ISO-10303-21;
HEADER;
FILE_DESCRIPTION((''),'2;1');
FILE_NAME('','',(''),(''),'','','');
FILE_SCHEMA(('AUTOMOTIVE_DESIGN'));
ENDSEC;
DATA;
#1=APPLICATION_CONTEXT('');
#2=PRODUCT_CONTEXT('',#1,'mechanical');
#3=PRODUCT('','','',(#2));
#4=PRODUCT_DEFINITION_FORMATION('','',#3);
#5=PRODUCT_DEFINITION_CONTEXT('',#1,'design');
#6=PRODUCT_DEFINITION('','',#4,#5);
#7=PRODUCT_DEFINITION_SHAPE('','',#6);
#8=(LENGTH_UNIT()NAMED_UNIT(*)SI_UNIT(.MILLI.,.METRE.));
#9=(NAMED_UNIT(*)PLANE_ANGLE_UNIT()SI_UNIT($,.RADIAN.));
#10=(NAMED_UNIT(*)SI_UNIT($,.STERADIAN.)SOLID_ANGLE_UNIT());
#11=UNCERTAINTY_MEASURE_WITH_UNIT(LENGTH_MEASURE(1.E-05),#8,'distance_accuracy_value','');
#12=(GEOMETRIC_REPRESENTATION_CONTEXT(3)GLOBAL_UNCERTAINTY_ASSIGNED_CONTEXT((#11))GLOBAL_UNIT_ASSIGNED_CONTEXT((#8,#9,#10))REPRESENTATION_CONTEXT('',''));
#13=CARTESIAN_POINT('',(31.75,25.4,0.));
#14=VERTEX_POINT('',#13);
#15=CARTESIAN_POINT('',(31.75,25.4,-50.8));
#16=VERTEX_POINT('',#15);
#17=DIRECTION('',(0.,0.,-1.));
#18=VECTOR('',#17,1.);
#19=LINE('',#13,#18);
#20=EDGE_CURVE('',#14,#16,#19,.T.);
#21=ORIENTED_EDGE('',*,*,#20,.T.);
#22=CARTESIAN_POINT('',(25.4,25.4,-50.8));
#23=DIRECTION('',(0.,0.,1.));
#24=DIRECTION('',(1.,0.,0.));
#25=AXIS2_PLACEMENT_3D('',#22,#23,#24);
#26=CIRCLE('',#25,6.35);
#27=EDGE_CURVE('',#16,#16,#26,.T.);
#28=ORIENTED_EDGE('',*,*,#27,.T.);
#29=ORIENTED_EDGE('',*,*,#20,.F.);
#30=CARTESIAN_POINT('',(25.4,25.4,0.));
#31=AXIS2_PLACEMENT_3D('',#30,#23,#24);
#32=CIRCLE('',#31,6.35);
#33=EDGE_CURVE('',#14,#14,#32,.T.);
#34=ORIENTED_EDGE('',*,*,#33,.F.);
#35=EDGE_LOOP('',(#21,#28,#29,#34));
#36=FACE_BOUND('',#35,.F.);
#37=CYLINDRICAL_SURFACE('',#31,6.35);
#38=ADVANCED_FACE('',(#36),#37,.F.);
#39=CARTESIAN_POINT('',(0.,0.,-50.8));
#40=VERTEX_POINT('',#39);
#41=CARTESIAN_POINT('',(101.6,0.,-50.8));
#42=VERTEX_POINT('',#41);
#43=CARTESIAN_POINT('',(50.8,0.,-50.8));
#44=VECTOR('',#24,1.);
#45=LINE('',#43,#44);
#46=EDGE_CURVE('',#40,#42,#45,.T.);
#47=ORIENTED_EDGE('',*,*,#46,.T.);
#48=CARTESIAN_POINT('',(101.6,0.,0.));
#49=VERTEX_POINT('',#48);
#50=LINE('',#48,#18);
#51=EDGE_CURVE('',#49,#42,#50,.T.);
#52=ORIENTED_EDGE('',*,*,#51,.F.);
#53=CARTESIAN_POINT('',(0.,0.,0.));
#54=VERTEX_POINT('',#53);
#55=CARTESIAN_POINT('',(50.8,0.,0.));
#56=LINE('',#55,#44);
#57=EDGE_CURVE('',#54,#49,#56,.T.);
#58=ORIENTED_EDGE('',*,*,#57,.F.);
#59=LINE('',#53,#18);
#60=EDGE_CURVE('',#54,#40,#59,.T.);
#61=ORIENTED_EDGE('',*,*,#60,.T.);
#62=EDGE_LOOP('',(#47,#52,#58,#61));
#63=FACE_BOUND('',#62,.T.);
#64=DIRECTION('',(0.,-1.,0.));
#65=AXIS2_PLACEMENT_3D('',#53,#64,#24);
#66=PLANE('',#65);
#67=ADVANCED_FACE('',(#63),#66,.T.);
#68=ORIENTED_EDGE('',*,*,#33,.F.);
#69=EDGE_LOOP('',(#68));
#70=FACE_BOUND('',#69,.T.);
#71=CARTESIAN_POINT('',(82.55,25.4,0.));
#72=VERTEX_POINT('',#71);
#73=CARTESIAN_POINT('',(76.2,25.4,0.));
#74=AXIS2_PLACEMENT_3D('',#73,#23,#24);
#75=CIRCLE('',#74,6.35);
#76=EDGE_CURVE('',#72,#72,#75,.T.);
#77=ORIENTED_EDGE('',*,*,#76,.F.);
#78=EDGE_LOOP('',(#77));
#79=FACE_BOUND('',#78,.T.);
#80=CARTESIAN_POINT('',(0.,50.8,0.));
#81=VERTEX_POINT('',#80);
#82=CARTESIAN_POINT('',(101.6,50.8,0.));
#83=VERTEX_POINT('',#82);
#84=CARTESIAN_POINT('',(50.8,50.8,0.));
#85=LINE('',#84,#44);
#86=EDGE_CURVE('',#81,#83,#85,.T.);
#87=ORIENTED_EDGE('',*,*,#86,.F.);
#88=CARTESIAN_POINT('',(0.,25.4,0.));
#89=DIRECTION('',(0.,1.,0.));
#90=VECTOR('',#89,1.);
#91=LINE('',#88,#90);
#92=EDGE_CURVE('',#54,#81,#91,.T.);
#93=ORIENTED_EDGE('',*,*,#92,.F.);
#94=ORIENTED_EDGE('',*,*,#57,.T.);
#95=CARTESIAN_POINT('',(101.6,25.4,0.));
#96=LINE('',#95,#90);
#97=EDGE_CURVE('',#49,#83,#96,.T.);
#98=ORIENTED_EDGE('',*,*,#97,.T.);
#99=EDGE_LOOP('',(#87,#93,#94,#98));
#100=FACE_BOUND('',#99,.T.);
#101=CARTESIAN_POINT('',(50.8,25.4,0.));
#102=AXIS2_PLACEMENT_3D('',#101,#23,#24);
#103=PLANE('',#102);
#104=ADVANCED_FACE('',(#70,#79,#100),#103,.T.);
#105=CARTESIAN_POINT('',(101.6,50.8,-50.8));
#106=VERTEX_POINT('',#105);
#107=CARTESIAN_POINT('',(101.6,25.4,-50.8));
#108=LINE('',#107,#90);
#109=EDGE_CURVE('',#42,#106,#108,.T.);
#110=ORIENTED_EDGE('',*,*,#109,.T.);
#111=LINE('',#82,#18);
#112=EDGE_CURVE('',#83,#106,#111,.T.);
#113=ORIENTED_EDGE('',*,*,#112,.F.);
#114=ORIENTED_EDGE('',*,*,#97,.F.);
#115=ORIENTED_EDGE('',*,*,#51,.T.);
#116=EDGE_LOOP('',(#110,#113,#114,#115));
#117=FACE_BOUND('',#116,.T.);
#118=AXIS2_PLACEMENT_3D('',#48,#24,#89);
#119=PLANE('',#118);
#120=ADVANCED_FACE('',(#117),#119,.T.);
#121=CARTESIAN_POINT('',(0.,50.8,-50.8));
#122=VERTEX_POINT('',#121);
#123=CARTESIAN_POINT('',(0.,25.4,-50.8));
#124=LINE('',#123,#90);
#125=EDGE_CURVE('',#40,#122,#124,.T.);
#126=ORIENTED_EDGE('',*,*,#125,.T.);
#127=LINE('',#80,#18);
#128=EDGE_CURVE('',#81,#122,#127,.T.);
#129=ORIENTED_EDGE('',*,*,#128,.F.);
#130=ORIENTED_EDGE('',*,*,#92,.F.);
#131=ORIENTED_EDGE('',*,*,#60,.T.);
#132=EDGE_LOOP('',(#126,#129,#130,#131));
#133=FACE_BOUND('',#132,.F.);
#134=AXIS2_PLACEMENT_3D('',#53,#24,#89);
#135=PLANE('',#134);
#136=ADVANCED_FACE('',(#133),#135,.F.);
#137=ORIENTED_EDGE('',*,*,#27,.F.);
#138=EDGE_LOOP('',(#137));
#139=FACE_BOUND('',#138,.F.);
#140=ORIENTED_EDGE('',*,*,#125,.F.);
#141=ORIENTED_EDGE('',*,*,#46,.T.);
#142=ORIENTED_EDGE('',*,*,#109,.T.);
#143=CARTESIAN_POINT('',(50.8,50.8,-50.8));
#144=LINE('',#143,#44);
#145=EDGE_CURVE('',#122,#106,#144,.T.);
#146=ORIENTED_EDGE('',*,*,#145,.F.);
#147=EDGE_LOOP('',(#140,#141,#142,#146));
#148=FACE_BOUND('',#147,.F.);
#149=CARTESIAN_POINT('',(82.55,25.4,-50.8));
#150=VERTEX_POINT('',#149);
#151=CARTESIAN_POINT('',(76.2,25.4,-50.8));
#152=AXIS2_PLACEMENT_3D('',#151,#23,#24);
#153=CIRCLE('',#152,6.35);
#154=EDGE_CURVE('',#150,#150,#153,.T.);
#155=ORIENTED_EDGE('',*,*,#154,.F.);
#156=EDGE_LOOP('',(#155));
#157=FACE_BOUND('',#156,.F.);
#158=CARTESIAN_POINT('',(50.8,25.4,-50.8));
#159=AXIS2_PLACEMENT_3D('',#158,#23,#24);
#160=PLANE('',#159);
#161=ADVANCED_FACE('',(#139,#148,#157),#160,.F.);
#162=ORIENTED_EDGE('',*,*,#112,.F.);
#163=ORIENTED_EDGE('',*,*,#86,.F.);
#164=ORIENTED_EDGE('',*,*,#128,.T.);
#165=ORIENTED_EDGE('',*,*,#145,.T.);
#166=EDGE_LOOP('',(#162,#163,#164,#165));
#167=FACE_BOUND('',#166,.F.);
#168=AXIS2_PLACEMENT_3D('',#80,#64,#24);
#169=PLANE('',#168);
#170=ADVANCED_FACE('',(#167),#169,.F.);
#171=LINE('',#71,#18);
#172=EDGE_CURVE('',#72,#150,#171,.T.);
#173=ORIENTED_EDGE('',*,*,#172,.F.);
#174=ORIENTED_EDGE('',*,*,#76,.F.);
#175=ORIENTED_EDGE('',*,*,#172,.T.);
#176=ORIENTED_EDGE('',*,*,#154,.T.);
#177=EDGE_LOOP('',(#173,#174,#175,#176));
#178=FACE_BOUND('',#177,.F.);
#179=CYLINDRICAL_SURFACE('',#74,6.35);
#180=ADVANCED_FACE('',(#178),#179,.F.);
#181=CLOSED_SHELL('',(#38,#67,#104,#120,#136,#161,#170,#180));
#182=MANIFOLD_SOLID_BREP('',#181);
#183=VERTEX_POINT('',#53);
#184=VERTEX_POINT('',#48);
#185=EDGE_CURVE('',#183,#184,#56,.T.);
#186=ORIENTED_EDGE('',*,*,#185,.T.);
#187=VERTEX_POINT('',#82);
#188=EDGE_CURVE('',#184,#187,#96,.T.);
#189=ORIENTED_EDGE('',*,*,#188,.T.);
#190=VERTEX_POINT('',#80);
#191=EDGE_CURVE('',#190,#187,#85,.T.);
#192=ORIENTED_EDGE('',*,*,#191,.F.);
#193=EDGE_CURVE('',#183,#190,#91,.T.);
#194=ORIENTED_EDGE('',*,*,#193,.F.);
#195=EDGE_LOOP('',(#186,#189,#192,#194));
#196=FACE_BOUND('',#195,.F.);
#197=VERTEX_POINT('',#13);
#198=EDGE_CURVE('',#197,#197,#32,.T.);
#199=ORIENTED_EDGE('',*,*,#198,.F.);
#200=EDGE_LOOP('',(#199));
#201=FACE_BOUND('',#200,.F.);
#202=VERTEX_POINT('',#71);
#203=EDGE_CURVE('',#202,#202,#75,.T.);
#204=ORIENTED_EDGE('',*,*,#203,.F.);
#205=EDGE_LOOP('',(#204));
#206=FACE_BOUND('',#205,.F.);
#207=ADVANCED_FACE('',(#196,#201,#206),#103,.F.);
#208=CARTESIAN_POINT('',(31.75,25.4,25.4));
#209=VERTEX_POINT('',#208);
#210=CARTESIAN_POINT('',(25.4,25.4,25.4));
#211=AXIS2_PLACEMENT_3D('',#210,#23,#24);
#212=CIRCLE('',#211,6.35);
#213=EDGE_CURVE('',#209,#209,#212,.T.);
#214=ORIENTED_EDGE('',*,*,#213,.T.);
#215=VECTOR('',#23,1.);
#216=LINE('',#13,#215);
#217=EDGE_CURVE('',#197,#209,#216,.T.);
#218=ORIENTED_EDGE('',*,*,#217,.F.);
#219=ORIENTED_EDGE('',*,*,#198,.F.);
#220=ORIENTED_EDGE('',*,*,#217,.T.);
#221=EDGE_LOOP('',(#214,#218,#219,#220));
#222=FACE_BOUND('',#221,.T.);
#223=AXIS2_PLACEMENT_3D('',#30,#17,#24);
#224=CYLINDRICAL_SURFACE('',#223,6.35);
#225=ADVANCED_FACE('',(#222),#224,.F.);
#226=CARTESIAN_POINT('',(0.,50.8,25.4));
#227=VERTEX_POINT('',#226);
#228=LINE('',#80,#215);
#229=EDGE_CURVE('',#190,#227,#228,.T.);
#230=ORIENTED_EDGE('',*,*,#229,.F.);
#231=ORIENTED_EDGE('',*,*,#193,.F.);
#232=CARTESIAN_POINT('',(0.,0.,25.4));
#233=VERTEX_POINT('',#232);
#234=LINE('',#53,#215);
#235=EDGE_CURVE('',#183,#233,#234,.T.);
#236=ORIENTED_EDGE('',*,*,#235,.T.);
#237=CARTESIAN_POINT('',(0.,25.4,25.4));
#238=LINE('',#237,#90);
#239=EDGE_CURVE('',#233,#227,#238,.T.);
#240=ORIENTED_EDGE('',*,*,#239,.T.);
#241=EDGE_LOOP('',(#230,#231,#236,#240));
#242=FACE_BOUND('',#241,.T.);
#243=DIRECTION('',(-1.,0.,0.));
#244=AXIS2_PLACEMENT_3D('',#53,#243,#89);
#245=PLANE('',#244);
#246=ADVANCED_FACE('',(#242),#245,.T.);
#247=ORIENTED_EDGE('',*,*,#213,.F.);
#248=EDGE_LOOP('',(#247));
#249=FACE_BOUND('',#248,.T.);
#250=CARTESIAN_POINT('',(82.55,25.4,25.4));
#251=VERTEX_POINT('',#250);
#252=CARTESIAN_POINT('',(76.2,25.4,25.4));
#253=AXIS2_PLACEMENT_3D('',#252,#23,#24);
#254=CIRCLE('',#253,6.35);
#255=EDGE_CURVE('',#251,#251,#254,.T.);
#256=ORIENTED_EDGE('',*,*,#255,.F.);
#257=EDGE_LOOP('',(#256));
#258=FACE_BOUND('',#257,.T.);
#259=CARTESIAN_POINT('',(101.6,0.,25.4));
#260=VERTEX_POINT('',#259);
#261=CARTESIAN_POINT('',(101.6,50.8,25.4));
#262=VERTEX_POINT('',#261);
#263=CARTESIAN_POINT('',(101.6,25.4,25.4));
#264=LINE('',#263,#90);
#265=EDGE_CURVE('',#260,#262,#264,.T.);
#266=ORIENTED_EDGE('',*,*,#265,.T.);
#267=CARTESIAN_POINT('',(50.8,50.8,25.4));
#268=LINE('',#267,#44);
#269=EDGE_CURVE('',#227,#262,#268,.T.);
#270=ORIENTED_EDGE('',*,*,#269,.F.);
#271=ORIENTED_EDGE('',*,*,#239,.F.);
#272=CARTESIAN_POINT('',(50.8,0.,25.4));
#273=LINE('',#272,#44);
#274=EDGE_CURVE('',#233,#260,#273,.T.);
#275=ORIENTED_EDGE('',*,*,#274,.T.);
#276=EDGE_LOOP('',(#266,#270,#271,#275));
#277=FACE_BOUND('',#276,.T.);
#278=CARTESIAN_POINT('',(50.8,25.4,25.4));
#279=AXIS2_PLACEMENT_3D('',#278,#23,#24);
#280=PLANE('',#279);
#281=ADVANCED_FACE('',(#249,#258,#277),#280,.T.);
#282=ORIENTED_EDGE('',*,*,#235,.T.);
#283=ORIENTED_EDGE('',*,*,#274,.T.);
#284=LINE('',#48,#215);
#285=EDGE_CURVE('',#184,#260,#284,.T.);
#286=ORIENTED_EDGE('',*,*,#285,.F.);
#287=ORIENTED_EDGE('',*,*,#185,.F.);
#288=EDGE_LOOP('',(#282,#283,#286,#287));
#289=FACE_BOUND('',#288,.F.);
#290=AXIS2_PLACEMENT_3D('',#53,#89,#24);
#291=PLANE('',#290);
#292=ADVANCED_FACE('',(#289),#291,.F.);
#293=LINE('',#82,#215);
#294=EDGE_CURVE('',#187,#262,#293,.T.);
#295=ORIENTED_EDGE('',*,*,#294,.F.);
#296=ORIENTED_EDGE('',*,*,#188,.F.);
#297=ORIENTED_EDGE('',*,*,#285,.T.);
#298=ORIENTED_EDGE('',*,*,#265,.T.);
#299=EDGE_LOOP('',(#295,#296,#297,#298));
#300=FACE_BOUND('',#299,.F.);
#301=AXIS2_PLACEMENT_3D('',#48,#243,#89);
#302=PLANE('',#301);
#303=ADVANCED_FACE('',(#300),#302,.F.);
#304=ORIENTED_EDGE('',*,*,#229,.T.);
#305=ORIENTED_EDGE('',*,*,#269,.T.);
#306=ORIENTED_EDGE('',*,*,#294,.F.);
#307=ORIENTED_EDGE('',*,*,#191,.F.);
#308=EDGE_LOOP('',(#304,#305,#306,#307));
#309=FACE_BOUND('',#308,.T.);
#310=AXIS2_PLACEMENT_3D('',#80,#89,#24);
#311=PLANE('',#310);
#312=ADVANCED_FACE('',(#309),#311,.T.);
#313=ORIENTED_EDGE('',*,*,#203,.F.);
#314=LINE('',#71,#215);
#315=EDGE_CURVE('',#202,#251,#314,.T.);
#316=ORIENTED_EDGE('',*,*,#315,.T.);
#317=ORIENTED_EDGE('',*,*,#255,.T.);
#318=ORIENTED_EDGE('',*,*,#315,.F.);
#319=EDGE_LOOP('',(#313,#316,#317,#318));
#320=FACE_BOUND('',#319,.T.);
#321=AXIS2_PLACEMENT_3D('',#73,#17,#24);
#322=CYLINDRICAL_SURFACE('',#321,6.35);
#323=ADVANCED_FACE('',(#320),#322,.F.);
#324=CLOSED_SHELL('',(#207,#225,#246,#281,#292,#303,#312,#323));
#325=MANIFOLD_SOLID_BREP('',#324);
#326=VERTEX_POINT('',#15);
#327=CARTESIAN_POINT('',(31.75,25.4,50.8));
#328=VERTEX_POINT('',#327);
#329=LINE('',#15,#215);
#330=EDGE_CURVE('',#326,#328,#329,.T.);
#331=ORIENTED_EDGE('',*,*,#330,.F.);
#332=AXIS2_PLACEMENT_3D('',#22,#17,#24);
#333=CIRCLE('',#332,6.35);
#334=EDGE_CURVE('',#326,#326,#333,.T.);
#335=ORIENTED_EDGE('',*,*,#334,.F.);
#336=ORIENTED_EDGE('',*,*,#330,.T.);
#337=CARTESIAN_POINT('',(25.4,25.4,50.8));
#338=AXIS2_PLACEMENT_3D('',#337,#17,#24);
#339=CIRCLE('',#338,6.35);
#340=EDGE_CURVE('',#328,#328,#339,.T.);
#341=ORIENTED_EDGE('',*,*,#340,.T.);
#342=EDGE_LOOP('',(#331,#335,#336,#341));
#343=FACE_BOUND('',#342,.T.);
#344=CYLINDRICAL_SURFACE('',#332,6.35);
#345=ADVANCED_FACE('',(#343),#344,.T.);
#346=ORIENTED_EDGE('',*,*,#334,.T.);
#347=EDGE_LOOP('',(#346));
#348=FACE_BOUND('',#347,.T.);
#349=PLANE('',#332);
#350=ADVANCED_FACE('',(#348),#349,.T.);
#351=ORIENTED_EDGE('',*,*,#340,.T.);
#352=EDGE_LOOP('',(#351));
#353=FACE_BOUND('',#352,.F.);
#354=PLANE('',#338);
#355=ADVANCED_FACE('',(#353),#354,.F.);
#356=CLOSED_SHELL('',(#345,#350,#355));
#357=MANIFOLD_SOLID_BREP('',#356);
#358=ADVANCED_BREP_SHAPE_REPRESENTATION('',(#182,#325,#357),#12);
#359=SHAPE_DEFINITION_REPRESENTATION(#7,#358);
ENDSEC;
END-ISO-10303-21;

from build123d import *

# Parameters (mm, degrees)
F0_W     = 101.6
F0_H     = 50.8
F0_R     = 6.35
F1_DEPTH = 25.4
F2_DEPTH = 50.8
F3_R     = 6.35
F4_DEPTH = 101.6


with BuildPart() as f1:
    # F0 (on Top) → F1 (new body)
    with BuildSketch(Plane.XY):
        with Locations((50.8, 25.4)):
            Rectangle(F0_W, F0_H)
        with Locations((25.4, 25.4)):
            Circle(F0_R, mode=Mode.SUBTRACT)
        with Locations((76.2, 25.4)):
            Circle(F0_R, mode=Mode.SUBTRACT)
    extrude(amount=F1_DEPTH)


with BuildPart() as f2:
    # F0 (on Top) → F2 (new body)
    with BuildSketch(Plane.XY):
        with Locations((50.8, 25.4)):
            Rectangle(F0_W, F0_H)
        with Locations((25.4, 25.4)):
            Circle(F0_R, mode=Mode.SUBTRACT)
        with Locations((76.2, 25.4)):
            Circle(F0_R, mode=Mode.SUBTRACT)
    extrude(amount=-F2_DEPTH)


with BuildPart() as f4:
    # F3 (on face) → F4 (new body)
    with BuildSketch(Plane(origin=(0, 0, -50.8), x_dir=(1, 0, 0), z_dir=(0, 0, -1))):
        with Locations((25.4, -25.4)):
            Circle(F3_R)
    extrude(amount=-F4_DEPTH)


solid = Compound([f1.part, f2.part, f4.part])
